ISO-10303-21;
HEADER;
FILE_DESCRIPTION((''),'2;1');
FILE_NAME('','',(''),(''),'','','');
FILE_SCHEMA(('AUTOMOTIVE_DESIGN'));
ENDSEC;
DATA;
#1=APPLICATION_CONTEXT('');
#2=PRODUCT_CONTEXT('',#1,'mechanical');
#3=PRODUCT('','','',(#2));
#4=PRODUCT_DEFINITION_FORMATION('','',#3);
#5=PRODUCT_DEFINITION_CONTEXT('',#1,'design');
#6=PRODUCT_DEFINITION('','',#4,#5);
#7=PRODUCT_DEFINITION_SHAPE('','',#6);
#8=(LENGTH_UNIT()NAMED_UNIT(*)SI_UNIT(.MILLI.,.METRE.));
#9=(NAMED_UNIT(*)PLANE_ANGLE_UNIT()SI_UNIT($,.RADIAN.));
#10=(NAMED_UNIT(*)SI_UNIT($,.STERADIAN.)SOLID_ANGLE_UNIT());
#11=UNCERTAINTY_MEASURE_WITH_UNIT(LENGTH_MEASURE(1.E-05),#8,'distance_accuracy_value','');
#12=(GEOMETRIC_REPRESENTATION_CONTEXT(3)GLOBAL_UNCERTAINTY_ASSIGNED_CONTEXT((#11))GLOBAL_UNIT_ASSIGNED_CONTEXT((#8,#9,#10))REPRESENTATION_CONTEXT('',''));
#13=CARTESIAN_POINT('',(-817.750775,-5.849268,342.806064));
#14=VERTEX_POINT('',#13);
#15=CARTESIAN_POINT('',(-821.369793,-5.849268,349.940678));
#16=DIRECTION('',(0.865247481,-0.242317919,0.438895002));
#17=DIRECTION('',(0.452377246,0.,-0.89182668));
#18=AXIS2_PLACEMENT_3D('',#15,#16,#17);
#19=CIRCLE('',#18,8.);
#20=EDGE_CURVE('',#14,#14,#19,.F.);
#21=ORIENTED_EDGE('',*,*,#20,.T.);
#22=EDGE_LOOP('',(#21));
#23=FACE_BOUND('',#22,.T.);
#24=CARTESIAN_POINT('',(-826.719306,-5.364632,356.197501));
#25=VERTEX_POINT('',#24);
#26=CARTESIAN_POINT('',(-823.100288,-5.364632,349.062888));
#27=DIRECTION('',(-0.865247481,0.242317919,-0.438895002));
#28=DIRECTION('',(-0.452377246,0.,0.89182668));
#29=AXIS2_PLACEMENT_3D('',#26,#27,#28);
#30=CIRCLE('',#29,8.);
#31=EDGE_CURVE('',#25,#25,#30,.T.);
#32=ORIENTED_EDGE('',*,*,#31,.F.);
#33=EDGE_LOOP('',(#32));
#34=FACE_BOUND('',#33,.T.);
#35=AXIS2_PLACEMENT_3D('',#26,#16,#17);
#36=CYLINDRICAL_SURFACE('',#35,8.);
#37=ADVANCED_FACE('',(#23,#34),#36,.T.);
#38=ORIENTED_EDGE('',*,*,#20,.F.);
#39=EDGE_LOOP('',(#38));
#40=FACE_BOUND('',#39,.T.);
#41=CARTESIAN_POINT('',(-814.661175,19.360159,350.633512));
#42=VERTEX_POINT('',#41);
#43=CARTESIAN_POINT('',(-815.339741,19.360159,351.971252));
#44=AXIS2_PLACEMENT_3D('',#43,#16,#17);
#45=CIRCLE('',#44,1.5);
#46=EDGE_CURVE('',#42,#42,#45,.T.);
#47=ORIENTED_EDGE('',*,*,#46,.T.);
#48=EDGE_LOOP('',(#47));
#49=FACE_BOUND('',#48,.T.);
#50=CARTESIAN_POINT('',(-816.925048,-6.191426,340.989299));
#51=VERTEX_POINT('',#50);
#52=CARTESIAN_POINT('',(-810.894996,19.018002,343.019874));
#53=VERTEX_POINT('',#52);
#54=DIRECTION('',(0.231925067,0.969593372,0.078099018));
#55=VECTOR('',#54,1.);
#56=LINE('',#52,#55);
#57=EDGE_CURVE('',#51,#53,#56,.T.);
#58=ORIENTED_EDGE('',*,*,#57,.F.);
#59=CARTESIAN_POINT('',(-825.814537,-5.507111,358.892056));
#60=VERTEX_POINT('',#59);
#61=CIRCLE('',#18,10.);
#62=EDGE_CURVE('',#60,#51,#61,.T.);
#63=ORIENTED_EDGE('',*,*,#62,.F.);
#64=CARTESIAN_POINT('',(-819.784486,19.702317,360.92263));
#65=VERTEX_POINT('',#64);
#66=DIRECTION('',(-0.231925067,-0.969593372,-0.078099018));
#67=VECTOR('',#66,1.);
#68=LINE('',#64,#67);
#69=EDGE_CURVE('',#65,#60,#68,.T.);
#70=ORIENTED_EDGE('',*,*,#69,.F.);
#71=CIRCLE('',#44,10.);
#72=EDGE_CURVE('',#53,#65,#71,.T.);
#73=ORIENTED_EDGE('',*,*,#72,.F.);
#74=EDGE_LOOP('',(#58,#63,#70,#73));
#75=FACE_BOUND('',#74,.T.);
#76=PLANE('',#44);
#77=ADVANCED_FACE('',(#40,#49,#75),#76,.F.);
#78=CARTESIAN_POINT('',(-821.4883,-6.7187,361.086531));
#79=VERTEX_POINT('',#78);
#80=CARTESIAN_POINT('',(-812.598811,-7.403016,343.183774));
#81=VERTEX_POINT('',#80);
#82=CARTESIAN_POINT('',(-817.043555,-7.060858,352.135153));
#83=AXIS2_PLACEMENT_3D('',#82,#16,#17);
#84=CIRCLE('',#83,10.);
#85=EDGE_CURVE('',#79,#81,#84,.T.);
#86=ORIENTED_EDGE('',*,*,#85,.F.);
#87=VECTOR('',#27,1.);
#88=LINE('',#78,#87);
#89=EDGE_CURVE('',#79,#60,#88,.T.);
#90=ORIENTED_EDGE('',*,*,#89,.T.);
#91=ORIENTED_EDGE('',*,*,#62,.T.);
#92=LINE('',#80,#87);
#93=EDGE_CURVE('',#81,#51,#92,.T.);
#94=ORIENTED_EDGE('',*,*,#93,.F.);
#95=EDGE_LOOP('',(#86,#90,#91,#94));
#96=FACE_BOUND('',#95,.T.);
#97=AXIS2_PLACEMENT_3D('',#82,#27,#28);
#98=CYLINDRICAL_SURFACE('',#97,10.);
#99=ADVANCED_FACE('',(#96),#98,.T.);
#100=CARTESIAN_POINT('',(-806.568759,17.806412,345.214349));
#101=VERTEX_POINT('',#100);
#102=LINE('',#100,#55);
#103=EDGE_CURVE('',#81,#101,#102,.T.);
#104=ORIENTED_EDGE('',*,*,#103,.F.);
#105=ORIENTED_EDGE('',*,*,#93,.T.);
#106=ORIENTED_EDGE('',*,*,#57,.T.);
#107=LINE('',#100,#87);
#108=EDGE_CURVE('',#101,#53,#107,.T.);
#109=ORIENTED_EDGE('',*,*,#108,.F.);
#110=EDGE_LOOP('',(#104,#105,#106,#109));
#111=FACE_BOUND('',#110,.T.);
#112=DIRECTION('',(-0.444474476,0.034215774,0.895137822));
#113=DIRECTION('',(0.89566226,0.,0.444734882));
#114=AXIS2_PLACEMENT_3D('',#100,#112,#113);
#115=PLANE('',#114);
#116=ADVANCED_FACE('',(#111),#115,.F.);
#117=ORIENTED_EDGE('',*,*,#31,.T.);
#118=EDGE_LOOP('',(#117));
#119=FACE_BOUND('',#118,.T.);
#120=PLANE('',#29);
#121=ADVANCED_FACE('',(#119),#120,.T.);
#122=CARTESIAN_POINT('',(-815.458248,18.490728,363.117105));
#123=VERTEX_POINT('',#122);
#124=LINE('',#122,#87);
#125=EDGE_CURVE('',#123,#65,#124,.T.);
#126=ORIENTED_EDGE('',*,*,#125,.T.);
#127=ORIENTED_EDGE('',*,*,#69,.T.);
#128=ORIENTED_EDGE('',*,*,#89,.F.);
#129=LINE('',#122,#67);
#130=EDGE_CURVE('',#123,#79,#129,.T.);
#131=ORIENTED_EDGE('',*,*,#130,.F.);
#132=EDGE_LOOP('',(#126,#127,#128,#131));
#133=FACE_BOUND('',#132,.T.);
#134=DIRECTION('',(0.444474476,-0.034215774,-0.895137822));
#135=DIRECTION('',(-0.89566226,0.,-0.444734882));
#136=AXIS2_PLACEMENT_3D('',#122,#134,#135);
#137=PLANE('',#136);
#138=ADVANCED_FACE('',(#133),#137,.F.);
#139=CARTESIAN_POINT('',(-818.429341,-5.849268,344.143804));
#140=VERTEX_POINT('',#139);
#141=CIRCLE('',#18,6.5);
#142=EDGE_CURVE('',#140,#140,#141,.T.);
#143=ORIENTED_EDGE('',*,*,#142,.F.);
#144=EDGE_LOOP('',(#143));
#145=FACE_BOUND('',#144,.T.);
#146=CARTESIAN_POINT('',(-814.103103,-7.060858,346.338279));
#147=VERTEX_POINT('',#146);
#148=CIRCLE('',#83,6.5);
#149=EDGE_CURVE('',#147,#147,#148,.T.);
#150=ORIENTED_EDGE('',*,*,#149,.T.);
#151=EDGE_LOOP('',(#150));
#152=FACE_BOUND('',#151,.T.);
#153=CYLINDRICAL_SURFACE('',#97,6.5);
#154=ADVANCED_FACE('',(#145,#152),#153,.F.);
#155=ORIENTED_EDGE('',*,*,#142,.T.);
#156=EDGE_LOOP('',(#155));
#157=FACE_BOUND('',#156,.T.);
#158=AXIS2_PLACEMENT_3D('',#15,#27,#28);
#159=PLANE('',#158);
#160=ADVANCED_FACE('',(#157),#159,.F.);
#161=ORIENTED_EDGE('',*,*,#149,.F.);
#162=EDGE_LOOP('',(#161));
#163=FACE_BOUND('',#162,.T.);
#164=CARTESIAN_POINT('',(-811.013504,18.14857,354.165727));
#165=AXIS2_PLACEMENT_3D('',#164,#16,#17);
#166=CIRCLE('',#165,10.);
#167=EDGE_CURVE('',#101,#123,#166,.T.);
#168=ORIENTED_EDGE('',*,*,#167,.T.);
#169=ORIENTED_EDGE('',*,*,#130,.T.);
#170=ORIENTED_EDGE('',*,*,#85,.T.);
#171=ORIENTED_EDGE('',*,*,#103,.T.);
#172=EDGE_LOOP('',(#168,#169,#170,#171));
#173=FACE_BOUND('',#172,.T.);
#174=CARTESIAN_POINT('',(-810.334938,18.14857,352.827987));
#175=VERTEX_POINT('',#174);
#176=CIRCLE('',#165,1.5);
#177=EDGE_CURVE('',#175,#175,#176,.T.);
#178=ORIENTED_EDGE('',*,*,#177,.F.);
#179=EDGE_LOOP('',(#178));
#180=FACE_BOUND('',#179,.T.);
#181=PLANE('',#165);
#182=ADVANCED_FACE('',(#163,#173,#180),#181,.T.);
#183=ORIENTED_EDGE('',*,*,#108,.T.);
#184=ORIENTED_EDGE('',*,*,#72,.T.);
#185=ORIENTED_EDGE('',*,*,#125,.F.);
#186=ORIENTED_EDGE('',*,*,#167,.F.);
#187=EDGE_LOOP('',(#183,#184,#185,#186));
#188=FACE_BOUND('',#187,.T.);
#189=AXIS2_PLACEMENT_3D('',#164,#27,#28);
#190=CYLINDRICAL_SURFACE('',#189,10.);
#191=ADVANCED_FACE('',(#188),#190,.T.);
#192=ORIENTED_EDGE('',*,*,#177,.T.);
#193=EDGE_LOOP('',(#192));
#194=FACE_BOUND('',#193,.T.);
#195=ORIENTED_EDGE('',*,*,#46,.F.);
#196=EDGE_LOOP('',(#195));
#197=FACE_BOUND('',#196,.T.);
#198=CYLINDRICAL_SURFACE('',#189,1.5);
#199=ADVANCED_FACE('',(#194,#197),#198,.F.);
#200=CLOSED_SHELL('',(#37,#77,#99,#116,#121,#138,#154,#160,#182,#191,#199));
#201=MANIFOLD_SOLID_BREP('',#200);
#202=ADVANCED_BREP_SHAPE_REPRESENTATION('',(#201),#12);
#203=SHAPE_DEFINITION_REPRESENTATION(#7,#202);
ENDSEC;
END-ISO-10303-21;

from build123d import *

# Parameters (mm, degrees)
SKETCH_1_R      = 1.5
SKETCH_1_R_2    = 6.5
EXTRUDE_1_DEPTH = 5
SKETCH_3_R      = 8
EXTRUDE_2_DEPTH = 2


with BuildPart() as part:
    # Эскиз1 → Бобышка-Вытянуть1 (new body)
    with BuildSketch(Plane(origin=(-480.803789864, 134.652080906, -243.886731474), x_dir=(0.4444744759103933, -0.03421577425644369, -0.8951378223805614), z_dir=(0.865247481188387, -0.24231791906874578, 0.4388950015611307))):
        with BuildLine():
            Line((-688.122906945, -142.837632594), (-688.122906945, -168.837632594))
            ThreePointArc((-688.122906945, -168.837632594), (-678.122906945, -178.837632594), (-668.122906945, -168.837632594))
            Line((-668.122906945, -168.837632594), (-668.122906945, -142.837632594))
            ThreePointArc((-668.122906945, -142.837632594), (-678.122906945, -132.837632594), (-688.122906945, -142.837632594))
        make_face()
        with Locations(Location((-678.122906945, -142.837632594, 0), (0, 0, 2.021059913))):
            Circle(SKETCH_1_R, mode=Mode.SUBTRACT)
        with Locations(Location((-678.122906945, -168.837632594, 0), (0, 0, 2.021059913))):
            Circle(SKETCH_1_R_2, mode=Mode.SUBTRACT)
    extrude(amount=EXTRUDE_1_DEPTH)

    # Эскиз3 → Бобышка-Вытянуть2 (add)
    with BuildSketch(Plane(origin=(-480.803789864, 134.652080906, -243.886731474), x_dir=(0.10581409215127123, 0.9439807153609489, 0.31257604983241044), z_dir=(-0.865247481188387, 0.24231791906874575, -0.4388950015611306))):
        with Locations(Location((16.948979253, -698.619750083, 0), (0, 0, 103.349815393))):
            Circle(SKETCH_3_R)
    extrude(amount=EXTRUDE_2_DEPTH)


solid = part.part
